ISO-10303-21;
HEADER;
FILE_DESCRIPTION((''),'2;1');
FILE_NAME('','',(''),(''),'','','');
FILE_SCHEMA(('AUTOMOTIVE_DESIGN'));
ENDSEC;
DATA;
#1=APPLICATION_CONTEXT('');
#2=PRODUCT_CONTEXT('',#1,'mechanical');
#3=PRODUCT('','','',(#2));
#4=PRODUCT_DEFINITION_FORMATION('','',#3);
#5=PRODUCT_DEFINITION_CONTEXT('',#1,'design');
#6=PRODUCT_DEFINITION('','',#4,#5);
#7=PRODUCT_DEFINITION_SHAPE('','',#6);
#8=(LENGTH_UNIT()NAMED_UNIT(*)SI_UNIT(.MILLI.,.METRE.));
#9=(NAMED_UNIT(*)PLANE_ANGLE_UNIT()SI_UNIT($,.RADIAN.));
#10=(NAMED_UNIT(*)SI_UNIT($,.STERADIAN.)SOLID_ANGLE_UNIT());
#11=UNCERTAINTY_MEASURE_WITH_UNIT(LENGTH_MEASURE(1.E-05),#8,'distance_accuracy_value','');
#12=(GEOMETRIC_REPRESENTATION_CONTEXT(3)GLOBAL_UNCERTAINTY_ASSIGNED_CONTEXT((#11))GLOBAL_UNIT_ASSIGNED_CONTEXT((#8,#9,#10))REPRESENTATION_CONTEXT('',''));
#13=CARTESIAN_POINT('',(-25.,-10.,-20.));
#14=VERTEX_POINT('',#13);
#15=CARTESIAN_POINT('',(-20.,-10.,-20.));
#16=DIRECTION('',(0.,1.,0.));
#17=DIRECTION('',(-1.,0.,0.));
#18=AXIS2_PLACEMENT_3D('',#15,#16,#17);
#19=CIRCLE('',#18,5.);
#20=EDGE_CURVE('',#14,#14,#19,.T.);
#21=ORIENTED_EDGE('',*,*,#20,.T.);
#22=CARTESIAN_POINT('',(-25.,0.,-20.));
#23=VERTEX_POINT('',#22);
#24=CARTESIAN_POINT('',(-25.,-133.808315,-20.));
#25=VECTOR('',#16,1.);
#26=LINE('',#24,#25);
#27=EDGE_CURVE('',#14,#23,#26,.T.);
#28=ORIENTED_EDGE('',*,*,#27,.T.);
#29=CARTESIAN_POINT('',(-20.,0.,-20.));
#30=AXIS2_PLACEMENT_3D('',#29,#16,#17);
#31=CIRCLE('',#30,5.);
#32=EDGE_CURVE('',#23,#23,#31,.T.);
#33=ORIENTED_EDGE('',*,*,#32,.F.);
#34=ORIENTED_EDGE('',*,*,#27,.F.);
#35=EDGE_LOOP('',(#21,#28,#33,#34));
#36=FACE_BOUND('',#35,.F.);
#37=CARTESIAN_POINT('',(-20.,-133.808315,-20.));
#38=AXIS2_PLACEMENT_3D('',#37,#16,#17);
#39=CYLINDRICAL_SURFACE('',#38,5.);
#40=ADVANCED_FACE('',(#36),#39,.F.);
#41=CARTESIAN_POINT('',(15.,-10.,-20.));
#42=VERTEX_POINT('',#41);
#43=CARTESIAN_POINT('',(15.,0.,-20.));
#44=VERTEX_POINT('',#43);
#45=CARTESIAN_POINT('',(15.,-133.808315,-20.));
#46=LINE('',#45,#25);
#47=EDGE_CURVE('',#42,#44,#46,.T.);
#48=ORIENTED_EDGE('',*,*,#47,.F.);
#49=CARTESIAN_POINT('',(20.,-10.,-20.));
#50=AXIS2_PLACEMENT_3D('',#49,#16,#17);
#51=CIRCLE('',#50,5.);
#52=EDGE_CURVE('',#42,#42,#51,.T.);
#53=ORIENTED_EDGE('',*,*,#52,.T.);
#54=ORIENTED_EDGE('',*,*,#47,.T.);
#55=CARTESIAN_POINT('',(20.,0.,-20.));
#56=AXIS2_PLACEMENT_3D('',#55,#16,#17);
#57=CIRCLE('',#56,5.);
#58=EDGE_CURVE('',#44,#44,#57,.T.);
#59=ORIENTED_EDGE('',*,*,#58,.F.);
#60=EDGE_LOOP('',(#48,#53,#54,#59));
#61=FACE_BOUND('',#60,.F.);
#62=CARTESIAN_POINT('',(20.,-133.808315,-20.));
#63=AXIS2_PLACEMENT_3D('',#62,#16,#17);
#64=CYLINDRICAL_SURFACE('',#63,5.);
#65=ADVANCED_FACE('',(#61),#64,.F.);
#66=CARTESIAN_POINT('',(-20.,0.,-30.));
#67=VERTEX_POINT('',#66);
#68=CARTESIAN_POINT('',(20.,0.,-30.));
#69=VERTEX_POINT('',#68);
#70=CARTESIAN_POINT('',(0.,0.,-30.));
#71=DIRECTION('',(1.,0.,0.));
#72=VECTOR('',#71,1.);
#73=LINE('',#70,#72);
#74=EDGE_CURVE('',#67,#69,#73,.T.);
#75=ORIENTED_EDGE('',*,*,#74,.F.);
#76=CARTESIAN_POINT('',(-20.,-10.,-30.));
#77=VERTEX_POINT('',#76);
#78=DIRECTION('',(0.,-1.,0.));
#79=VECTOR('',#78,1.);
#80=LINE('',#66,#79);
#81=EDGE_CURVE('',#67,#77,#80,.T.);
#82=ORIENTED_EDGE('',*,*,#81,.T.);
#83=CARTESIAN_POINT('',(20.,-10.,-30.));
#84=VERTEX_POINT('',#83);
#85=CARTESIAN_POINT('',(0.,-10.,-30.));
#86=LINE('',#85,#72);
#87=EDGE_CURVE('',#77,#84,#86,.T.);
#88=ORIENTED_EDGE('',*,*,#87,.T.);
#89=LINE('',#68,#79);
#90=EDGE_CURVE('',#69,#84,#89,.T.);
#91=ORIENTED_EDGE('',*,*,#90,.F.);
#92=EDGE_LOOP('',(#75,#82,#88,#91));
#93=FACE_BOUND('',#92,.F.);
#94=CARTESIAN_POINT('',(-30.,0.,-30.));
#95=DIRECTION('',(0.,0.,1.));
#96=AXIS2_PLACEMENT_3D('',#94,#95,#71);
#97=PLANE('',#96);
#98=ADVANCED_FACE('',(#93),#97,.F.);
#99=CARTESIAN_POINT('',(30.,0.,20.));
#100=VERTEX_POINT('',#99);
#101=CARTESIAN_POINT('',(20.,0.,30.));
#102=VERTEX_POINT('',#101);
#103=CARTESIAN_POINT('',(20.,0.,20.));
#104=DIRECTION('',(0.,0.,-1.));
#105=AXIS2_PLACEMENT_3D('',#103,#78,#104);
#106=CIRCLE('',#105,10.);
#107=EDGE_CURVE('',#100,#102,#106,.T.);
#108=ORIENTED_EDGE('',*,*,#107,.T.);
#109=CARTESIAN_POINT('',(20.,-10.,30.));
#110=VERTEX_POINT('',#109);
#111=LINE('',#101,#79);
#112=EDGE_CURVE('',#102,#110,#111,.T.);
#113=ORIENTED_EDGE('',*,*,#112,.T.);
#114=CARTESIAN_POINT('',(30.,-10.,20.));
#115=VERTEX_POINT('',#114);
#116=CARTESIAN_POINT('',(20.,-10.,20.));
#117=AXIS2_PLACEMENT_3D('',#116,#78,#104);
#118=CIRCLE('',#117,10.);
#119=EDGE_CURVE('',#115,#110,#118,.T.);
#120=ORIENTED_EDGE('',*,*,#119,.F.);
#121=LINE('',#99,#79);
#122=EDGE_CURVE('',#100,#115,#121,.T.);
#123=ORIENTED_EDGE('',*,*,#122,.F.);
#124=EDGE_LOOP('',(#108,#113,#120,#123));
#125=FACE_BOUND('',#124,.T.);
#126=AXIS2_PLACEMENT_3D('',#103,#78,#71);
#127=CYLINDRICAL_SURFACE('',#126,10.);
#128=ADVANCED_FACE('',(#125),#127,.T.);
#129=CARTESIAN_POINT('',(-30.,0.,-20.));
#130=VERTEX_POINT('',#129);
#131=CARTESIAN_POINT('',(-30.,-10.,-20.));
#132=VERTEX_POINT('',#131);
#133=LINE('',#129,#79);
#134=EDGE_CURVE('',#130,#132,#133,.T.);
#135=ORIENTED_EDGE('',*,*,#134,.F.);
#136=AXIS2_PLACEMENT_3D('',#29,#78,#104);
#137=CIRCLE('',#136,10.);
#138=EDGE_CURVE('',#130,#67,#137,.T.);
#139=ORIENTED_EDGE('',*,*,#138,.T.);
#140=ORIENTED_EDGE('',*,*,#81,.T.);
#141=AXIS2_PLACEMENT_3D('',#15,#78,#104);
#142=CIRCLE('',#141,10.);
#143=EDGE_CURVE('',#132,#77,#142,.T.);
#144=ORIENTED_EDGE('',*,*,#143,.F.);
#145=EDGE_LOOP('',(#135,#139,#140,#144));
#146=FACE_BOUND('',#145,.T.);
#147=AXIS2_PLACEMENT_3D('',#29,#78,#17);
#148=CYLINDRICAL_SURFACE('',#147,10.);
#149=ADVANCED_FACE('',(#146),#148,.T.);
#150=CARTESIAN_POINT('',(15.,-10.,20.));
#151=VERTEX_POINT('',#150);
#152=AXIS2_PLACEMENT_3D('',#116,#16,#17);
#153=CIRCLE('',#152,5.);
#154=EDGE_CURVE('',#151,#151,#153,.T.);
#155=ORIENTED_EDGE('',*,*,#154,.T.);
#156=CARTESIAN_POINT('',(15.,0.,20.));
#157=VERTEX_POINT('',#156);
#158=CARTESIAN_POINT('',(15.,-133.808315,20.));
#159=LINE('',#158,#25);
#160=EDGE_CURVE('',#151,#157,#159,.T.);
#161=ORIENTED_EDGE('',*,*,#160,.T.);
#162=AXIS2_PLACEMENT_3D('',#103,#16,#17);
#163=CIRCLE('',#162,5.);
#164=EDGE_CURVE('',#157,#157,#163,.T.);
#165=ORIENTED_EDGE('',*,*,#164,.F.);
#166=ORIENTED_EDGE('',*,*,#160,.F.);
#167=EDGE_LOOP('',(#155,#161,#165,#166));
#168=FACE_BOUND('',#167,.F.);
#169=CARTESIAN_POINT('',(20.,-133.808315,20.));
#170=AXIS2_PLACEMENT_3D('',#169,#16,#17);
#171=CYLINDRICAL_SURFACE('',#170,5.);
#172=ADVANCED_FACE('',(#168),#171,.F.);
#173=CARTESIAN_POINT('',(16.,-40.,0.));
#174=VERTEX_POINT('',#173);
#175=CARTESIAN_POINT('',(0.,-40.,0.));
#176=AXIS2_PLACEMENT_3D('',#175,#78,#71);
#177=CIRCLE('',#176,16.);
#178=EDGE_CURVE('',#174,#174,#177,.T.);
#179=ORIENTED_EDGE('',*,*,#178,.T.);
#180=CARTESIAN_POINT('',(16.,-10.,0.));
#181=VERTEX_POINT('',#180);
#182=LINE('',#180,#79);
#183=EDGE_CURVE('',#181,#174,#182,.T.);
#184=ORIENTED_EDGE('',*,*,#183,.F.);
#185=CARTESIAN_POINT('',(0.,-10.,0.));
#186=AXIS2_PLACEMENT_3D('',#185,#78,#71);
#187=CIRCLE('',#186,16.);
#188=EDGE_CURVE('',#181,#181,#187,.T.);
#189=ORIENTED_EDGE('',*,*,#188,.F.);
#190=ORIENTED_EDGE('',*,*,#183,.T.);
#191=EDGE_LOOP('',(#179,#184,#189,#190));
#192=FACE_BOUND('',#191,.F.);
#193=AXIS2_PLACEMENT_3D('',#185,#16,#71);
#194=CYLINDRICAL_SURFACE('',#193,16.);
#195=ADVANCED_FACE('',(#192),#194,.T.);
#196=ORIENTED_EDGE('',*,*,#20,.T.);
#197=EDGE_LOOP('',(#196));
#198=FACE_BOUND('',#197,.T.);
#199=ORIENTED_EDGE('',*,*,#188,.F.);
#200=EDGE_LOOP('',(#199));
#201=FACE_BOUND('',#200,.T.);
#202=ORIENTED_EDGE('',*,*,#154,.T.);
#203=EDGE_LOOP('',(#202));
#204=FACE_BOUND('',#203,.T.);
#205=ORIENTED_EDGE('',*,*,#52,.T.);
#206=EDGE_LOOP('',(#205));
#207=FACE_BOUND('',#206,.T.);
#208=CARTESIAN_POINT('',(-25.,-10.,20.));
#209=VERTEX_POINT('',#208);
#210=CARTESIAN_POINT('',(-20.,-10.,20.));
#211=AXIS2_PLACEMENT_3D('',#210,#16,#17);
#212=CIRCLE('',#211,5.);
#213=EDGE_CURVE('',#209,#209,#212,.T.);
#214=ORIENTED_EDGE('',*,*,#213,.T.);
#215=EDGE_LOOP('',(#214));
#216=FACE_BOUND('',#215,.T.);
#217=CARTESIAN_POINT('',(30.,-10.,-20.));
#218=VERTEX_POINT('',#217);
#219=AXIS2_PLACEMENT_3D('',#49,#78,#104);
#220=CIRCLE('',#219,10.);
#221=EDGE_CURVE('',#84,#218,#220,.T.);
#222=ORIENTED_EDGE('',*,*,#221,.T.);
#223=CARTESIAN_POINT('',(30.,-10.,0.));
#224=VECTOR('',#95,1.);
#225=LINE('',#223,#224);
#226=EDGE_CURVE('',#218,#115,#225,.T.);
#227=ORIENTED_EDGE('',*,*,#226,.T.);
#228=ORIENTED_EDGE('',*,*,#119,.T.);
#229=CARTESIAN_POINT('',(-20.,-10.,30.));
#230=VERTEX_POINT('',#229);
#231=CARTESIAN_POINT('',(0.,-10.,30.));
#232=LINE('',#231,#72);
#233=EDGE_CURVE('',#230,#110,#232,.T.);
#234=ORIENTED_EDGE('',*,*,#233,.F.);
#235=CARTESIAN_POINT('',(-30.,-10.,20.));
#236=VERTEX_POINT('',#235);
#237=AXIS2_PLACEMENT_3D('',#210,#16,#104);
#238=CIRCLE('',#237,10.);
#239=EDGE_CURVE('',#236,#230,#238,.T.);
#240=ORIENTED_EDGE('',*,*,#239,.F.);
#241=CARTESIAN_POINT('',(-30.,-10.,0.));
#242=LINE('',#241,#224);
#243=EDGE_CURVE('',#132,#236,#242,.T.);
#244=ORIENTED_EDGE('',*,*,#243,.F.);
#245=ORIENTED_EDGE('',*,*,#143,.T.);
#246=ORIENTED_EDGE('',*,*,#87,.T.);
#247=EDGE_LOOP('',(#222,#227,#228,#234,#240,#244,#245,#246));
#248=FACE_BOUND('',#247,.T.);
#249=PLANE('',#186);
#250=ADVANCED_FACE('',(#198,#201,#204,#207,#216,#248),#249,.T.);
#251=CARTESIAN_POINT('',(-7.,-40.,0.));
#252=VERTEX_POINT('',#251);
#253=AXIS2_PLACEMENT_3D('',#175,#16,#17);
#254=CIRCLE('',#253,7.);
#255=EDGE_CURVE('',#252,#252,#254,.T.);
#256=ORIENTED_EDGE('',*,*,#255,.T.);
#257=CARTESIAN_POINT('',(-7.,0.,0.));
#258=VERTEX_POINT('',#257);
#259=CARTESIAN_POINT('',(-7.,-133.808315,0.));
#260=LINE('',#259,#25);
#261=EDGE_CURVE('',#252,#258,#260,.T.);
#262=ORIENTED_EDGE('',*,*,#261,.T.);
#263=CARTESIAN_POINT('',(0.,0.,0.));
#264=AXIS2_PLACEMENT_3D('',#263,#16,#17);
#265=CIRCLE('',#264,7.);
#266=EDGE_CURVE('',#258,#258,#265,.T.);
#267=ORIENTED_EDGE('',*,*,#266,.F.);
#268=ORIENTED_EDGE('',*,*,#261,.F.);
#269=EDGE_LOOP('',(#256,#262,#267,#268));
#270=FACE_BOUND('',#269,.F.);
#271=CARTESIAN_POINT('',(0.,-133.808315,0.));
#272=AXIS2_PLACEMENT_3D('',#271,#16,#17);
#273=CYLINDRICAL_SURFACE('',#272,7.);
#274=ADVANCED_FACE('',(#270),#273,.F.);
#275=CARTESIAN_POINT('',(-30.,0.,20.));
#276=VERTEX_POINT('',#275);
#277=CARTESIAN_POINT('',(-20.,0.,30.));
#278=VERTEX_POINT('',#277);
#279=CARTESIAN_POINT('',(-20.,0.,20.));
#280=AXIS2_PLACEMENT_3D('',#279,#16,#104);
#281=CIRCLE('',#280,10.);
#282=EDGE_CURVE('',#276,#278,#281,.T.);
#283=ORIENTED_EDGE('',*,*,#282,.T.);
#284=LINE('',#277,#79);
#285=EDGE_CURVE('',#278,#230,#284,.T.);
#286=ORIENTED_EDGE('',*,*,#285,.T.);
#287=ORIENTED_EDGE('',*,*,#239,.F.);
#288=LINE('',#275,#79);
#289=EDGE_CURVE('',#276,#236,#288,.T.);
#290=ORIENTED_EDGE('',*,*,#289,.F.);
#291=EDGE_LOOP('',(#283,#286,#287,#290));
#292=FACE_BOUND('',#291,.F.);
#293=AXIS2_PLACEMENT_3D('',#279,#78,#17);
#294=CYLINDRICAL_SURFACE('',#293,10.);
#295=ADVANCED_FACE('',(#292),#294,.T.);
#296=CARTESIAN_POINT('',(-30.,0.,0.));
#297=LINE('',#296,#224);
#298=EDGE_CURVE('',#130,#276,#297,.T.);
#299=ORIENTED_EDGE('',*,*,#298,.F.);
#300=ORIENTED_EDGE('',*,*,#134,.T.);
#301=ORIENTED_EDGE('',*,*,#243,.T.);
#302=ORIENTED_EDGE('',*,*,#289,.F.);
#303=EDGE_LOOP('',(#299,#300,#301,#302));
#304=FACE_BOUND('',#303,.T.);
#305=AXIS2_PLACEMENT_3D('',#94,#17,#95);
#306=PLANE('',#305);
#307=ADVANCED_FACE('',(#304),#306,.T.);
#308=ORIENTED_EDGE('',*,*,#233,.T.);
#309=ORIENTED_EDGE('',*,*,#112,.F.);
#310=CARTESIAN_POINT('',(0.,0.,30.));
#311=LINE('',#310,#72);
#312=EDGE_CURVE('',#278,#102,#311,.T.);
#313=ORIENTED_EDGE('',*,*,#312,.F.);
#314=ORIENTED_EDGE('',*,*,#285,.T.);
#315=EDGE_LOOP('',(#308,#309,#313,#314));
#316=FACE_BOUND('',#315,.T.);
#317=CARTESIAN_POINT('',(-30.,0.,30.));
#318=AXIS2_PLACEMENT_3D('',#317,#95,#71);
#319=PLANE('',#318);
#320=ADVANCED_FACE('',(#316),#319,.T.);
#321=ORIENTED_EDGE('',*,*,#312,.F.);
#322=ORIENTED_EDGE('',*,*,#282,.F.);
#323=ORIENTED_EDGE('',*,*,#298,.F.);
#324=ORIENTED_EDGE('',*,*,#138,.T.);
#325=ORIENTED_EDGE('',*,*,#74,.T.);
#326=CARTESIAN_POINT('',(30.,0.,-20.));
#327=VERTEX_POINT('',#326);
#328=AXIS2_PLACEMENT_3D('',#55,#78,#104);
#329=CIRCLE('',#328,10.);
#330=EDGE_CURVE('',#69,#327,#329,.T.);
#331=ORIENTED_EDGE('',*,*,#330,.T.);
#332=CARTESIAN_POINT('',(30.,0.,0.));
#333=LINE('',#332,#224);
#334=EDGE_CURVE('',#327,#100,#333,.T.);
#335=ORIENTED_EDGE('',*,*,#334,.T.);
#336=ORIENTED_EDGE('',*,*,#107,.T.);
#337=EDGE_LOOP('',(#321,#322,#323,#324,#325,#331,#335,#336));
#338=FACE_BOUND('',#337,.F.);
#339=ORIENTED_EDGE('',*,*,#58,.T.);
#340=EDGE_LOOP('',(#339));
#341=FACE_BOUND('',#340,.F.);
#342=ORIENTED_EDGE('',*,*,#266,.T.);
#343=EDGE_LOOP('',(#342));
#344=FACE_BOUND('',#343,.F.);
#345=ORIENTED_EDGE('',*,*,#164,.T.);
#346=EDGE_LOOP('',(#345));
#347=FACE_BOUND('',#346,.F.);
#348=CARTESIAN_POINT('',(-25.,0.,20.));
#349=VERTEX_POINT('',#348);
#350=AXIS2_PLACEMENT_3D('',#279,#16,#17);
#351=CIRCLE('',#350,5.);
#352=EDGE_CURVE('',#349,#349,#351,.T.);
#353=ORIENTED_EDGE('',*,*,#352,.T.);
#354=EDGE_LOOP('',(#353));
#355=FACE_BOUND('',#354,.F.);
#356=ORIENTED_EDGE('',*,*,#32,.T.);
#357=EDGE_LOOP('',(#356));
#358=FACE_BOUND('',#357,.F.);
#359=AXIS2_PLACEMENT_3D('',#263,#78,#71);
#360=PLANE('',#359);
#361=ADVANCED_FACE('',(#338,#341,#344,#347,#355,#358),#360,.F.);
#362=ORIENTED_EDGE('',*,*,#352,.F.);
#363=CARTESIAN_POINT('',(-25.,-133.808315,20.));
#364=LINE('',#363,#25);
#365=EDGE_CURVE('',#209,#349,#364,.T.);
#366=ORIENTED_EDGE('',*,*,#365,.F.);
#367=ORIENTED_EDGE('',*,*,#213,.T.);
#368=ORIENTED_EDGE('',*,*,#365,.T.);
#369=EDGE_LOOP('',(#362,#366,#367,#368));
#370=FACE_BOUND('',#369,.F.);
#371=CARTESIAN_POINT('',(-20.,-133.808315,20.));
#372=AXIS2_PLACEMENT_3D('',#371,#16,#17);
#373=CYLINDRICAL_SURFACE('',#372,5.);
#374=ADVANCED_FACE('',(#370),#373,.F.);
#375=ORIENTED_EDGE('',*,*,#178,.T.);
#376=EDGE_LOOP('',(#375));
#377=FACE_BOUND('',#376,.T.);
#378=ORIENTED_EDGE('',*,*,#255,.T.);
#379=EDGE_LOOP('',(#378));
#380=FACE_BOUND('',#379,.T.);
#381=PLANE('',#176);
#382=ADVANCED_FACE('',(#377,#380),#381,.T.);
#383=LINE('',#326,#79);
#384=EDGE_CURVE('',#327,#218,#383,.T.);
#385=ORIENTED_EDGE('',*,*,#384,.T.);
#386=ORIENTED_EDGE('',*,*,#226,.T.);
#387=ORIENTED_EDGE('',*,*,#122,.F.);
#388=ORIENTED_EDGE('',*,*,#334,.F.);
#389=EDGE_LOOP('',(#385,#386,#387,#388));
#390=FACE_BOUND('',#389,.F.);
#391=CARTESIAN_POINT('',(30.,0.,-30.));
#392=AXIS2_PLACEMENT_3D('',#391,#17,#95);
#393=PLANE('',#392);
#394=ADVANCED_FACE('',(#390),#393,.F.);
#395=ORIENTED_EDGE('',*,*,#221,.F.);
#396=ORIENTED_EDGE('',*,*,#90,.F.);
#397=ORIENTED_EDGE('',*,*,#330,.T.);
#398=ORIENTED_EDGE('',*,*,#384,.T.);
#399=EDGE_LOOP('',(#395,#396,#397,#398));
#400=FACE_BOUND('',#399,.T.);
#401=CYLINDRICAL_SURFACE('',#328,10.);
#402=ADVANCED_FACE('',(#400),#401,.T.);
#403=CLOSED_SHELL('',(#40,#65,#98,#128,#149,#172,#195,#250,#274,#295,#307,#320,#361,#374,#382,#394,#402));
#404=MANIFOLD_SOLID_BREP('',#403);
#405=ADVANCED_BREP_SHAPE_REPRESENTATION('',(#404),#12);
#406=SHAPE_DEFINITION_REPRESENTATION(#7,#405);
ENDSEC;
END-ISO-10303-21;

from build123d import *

# Parameters (mm, degrees)
F0_W     = 60
F0_H     = 60
F1_DEPTH = 10
F2_R     = 10
F3_R     = 16
F4_DEPTH = 30
F6_D     = 14
F8_D     = 10


with BuildPart() as f1:
    # F0 (on Front) → F1 (new body)
    with BuildSketch(Plane.XZ):
        Rectangle(F0_W, F0_H)
    extrude(amount=F1_DEPTH)

    # F2
    f2_edges = [f1.edges().sort_by_distance(p)[0] for p in [
        (30, -5, 30),
        (-30, -5, 30),
        (30, -5, -30),
        (-30, -5, -30),
    ]]
    fillet(f2_edges, radius=F2_R)

    # F3 (on face) → F4 (join)
    with BuildSketch(Plane.XZ.offset(10)):
        Circle(F3_R)
    extrude(amount=F4_DEPTH)

    # F6 (through all)
    with Locations(Plane.XZ.offset(40)):
        with Locations((0, 0)):
            Hole(F6_D / 2)

    # F8 (through all)
    with Locations(Plane.XZ.offset(40)):
        with Locations((-20, 20), (20, 20), (20, -20), (-20, -20)):
            Hole(F8_D / 2)


solid = f1.part
